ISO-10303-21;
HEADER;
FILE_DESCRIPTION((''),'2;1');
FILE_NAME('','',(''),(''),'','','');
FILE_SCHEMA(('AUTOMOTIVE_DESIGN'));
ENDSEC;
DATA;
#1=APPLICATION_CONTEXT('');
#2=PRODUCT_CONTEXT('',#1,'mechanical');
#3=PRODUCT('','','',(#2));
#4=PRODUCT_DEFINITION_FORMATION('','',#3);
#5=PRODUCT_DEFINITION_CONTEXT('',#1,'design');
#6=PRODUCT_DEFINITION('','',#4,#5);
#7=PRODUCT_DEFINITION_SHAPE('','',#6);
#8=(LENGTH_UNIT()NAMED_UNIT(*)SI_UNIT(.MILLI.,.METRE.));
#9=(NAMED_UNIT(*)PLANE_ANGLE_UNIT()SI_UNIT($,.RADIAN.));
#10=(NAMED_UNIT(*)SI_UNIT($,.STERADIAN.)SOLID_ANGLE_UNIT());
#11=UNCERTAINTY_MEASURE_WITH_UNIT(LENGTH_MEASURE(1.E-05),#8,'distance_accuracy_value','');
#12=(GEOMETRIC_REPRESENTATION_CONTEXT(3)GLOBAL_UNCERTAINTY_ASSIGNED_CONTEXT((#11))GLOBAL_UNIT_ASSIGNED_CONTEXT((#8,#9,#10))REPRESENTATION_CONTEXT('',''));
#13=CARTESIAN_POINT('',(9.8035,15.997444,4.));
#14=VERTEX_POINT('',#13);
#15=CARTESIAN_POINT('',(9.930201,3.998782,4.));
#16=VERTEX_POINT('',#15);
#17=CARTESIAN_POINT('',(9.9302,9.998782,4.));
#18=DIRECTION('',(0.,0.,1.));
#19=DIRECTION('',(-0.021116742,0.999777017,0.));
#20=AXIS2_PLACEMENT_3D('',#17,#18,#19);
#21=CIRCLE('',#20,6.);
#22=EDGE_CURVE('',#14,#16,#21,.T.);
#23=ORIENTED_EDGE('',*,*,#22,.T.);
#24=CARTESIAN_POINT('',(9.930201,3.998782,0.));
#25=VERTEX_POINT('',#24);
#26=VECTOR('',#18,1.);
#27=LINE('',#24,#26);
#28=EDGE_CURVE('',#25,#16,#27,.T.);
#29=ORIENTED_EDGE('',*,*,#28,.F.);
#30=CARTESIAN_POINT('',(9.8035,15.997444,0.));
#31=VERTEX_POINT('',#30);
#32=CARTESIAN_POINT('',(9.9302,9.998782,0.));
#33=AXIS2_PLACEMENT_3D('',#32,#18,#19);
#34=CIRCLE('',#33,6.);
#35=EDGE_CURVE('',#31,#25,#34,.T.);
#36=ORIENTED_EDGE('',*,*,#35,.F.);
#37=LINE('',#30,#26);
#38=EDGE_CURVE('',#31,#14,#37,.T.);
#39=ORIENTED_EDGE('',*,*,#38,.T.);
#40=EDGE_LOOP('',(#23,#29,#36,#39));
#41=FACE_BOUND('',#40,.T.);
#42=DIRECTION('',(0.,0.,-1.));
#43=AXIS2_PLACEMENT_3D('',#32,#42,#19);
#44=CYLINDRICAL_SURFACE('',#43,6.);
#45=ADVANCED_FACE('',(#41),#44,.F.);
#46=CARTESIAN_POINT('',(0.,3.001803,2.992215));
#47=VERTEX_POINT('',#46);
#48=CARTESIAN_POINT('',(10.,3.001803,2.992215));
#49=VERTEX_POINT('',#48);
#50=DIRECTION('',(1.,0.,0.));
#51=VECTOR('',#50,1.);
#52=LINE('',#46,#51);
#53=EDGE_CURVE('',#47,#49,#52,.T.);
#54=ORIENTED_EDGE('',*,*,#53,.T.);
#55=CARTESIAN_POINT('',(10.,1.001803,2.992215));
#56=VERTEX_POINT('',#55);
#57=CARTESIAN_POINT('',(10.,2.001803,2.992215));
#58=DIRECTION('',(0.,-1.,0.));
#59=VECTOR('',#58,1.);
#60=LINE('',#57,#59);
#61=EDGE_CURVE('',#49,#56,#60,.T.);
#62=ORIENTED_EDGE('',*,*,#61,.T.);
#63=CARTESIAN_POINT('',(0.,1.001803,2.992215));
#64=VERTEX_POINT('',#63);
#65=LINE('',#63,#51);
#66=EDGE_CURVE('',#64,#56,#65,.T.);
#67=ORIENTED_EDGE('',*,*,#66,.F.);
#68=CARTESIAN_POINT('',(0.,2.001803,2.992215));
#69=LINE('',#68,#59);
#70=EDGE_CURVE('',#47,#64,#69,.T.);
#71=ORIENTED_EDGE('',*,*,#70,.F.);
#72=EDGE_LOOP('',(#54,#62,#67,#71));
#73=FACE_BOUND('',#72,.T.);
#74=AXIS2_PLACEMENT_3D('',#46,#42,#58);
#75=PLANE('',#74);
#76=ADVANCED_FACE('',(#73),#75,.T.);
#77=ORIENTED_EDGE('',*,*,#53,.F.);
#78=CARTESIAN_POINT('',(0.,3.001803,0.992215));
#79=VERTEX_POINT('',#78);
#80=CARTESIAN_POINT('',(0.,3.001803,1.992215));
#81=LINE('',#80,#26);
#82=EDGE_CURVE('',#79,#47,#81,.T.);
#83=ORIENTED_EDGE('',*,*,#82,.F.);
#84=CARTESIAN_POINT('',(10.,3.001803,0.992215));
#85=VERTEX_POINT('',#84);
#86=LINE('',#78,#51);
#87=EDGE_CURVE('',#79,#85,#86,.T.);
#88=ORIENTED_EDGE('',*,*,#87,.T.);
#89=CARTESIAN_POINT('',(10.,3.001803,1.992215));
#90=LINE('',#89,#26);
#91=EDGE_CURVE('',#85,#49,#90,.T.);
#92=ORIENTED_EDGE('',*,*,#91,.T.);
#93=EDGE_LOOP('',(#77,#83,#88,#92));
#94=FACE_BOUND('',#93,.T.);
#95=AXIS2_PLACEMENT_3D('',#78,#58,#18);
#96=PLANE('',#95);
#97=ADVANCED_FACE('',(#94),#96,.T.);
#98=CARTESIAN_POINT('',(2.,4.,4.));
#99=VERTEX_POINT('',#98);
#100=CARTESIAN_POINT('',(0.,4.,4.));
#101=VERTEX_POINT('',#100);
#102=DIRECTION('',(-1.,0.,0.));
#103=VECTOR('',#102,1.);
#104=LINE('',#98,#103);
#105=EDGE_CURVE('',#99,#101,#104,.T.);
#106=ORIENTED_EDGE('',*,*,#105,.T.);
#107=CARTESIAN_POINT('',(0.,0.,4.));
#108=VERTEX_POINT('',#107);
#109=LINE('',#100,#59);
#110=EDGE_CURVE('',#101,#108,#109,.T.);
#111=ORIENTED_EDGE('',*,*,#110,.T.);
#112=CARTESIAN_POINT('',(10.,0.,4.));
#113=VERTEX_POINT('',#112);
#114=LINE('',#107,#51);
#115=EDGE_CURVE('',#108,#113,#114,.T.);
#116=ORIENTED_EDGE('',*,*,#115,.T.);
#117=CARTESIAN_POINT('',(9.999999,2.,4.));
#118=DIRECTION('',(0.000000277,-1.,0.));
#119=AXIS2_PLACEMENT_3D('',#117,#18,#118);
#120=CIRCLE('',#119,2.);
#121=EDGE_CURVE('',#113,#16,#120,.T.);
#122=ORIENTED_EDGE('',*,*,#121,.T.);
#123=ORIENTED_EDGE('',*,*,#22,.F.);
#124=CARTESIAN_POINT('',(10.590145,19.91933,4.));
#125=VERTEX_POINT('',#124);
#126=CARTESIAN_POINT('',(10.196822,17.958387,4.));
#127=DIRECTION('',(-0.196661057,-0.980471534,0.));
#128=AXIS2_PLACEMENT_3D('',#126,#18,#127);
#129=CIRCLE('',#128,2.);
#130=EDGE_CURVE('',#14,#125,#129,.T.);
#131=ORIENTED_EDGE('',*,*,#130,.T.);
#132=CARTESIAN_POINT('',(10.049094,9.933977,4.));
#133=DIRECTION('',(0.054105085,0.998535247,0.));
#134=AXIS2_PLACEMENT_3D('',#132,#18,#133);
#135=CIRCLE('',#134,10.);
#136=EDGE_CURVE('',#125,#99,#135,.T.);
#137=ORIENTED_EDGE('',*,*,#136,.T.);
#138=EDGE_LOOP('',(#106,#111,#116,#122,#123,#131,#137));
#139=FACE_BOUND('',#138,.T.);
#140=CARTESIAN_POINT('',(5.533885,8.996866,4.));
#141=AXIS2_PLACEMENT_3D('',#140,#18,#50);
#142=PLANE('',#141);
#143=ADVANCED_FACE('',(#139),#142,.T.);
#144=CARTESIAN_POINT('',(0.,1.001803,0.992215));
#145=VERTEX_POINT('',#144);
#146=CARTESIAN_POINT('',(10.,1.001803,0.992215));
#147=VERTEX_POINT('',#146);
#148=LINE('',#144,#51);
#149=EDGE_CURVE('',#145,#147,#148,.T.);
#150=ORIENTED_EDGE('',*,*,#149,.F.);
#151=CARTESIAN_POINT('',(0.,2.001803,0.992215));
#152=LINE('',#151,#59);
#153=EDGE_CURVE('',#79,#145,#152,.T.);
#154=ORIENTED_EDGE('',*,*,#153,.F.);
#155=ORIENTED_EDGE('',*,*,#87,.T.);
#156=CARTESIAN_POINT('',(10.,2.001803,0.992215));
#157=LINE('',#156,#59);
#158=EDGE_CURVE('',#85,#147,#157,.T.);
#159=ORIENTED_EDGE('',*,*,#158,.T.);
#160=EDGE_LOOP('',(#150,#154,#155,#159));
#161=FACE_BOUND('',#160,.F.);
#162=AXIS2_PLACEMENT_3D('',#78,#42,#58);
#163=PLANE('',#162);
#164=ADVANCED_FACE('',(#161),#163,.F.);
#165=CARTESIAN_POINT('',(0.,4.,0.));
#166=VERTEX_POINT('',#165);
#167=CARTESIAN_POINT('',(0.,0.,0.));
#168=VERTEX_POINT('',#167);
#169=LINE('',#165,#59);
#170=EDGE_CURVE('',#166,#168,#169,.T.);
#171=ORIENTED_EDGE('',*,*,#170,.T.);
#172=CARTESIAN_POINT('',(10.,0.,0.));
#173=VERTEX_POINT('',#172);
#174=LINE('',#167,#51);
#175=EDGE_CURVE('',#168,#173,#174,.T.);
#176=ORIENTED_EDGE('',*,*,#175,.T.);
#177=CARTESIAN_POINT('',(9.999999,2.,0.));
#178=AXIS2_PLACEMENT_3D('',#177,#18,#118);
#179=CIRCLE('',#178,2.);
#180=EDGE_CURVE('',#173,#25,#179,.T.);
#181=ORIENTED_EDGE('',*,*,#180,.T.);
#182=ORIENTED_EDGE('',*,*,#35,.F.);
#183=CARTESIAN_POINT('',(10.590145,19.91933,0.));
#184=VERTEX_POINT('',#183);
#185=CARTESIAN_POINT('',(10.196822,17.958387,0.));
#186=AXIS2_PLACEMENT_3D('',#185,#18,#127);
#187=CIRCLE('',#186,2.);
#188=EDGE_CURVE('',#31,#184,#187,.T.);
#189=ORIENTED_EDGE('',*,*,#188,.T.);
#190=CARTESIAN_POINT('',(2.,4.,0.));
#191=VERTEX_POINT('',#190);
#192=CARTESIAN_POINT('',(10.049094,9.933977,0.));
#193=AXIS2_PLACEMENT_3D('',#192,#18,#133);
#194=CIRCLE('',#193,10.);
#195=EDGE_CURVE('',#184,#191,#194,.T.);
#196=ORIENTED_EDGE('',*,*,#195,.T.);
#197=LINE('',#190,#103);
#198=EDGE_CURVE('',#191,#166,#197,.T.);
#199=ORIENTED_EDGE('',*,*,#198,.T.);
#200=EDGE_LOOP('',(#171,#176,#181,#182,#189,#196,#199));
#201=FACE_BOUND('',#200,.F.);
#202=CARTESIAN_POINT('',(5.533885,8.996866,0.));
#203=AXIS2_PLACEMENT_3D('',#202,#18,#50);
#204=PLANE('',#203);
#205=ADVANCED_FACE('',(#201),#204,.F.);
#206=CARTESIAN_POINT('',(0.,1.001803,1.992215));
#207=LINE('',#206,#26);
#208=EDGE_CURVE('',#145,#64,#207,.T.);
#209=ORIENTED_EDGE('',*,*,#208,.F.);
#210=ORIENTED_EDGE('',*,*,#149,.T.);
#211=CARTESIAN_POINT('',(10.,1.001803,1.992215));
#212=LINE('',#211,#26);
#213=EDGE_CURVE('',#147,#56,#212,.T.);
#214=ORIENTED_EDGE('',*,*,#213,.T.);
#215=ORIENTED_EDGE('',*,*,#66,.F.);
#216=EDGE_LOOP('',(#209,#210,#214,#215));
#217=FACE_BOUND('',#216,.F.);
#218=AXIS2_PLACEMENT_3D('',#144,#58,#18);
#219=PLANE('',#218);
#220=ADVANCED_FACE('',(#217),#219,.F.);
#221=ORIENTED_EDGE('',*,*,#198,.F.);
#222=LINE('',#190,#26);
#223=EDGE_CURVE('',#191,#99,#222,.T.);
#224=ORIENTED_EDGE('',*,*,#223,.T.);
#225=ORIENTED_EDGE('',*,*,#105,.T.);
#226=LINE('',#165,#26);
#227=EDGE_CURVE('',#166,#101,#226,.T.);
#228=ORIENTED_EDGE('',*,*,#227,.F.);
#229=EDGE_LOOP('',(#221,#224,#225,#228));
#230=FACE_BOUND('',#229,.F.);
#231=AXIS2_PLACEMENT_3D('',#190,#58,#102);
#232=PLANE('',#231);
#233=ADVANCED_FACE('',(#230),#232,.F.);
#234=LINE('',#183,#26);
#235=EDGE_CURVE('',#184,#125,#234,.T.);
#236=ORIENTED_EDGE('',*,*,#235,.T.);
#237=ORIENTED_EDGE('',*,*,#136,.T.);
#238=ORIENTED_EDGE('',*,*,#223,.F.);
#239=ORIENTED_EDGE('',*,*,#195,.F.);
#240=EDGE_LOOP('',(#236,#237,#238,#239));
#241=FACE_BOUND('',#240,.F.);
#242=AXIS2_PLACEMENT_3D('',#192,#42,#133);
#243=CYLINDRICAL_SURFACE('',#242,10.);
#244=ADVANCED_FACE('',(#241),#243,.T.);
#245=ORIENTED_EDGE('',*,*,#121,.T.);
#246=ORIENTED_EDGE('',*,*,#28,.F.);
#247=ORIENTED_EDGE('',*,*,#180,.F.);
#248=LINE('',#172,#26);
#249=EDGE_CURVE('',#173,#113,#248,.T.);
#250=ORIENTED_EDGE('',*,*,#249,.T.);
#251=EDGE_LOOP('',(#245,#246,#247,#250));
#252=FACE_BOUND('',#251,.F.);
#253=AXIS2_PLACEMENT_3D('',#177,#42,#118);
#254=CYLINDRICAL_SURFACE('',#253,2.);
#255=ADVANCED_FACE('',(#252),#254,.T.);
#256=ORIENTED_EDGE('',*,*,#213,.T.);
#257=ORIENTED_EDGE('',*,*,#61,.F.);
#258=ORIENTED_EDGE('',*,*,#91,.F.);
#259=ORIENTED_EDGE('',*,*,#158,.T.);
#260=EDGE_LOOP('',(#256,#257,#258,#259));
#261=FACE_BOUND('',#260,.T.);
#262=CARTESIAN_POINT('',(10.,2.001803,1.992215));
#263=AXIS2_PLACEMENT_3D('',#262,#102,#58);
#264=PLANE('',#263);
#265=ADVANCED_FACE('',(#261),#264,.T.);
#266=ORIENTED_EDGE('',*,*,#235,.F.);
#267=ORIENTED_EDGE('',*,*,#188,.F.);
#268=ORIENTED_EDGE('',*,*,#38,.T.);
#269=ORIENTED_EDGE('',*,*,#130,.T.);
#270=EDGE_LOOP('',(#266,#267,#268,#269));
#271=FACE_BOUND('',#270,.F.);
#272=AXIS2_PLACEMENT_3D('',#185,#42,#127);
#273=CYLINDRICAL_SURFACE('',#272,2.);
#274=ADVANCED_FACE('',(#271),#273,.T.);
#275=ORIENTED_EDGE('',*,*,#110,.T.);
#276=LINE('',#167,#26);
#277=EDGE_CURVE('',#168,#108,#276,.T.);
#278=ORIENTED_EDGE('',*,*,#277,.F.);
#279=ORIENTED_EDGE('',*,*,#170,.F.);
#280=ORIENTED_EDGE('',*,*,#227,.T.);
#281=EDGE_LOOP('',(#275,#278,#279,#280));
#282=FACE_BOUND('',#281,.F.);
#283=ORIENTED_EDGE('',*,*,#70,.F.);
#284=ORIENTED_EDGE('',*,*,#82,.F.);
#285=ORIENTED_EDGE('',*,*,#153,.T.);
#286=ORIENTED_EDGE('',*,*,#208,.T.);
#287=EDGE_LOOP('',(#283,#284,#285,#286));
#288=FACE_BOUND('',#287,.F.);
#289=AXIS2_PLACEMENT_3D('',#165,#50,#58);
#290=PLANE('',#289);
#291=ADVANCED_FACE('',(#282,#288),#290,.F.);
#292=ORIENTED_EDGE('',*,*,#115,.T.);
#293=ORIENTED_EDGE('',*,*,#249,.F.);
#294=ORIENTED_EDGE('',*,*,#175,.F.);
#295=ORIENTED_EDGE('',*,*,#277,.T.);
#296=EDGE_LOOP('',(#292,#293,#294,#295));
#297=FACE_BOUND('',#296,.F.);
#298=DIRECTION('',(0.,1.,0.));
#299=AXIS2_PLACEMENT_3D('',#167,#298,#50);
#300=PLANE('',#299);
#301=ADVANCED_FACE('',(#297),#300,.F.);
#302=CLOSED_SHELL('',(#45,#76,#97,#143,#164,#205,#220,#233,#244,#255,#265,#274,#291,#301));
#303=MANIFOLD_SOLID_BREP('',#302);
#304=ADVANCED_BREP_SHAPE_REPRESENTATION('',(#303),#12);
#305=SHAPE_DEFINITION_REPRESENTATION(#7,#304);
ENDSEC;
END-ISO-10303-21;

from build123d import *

# Parameters (mm, degrees)
PAD_DEPTH    = 4
SKETCH001_W  = 2
SKETCH001_H  = 2
POCKET_DEPTH = 10


with BuildPart() as part:
    # Sketch → Pad (new body)
    with BuildSketch(Plane.XY):
        with BuildLine():
            Line((2, 4), (0, 4))
            Line((0, 4), (0, 0))
            Line((0, 0), (10, 0))
            ThreePointArc((10, 0), (11.999695, 2.034905), (9.930201, 3.998782))
            ThreePointArc((9.8035, 15.997444), (3.930535, 9.935427), (9.930201, 3.998782))
            ThreePointArc((9.8035, 15.997444), (12.157765, 17.565064), (10.590145, 19.91933))
            ThreePointArc((10.590145, 19.91933), (1.248586, 14.682773), (2, 4))
        make_face()
    extrude(amount=PAD_DEPTH)

    # Sketch001 (on DatumPlane) → Pocket (cut)
    with BuildSketch(Plane(origin=(0, 0, 0), x_dir=(0, -1, 0), z_dir=(-1, 0, 0))):
        with Locations((-2.001803, 1.992215)):
            Rectangle(SKETCH001_W, SKETCH001_H)
    extrude(amount=-POCKET_DEPTH, mode=Mode.SUBTRACT)


solid = part.part
